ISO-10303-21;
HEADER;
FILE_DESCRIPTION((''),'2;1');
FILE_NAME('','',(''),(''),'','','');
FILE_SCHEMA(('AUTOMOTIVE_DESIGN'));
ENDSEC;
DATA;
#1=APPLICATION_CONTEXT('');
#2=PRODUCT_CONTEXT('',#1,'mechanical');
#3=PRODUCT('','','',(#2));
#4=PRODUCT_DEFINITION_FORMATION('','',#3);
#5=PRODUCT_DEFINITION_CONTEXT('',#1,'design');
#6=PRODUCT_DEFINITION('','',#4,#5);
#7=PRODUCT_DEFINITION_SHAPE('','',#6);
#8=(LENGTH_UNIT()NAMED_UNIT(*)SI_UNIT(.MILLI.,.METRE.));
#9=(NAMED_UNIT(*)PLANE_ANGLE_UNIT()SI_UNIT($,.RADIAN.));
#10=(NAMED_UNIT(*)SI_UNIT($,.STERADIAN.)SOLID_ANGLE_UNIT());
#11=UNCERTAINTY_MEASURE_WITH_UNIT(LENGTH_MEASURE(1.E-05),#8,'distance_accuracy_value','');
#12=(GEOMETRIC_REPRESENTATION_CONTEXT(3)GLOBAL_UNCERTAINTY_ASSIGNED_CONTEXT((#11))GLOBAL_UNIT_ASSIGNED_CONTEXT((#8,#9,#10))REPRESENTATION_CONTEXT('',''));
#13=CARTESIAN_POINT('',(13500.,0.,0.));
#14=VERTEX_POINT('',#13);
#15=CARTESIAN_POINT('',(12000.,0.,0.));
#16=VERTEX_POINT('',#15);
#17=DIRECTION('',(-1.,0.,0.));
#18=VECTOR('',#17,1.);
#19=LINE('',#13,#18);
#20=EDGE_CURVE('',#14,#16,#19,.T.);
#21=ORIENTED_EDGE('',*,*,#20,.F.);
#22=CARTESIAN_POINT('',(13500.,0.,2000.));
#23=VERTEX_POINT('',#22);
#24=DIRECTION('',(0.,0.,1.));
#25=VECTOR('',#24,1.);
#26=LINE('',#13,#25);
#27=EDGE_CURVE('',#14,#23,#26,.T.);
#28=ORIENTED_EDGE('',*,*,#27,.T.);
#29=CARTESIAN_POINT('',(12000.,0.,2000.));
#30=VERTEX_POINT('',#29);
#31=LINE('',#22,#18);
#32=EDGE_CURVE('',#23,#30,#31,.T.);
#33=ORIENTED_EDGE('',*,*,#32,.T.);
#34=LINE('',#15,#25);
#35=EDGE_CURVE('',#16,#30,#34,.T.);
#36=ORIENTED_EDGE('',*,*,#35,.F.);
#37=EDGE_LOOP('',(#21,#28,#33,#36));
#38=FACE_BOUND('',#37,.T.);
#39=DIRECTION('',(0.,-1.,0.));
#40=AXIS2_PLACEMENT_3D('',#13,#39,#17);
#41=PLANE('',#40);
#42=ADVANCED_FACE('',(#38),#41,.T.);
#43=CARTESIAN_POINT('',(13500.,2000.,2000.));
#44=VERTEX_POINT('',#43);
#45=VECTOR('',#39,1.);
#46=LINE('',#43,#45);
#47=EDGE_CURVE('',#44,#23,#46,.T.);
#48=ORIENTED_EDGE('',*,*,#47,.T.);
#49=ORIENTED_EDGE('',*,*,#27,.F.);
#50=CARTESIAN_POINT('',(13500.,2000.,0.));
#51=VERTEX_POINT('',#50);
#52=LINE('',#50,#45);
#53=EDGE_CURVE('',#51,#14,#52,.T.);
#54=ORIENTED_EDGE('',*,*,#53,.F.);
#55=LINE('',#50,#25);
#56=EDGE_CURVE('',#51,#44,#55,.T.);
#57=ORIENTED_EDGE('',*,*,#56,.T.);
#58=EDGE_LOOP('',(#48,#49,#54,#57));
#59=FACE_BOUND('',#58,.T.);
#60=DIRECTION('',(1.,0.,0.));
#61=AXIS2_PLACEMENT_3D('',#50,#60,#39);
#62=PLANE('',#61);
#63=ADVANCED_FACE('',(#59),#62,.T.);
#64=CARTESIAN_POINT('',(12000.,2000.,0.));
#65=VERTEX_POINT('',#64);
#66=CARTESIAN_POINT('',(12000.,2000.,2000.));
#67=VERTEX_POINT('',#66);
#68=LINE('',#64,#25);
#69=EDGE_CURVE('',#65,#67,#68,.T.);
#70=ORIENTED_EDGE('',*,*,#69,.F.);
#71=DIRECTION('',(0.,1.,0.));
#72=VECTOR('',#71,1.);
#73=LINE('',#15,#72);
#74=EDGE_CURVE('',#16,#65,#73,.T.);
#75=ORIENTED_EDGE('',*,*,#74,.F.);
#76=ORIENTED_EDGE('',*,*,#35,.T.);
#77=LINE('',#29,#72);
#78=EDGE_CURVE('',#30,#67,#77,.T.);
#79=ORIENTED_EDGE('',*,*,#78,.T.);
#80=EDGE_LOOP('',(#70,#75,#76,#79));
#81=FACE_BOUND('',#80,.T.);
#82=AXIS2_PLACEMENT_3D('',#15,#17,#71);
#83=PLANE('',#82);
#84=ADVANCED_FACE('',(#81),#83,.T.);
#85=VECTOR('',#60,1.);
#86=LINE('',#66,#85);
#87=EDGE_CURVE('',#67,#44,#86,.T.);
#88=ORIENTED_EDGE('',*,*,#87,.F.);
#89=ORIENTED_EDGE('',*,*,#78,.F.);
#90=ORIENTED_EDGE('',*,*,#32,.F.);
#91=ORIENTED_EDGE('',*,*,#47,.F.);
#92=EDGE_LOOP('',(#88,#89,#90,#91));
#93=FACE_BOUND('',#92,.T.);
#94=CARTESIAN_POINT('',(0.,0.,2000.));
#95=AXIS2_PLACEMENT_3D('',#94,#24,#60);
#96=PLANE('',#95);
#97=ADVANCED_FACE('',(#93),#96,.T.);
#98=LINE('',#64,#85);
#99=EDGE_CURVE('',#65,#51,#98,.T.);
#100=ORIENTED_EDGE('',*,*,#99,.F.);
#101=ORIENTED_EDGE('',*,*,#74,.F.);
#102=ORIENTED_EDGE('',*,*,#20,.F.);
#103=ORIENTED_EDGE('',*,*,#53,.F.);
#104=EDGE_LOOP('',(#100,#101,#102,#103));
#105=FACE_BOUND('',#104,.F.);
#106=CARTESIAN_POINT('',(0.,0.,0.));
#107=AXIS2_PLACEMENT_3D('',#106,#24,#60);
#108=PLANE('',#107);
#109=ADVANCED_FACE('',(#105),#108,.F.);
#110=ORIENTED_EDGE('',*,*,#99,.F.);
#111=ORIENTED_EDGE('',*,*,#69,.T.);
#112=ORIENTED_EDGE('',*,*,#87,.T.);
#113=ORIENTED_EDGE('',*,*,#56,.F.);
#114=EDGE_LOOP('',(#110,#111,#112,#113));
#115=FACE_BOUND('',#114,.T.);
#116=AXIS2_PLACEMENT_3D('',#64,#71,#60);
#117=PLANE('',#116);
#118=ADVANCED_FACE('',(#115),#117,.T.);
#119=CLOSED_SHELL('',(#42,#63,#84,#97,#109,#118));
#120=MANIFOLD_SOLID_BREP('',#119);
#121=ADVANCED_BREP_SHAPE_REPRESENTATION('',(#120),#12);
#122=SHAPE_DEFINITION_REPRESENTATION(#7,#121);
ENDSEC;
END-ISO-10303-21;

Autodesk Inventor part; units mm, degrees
ref_plane "YZ Plane" through (0, 0, 0) normal (1, 0, 0) x (0, 1, 0)
ref_plane "XZ Plane" through (0, 0, 0) normal (0, 1, 0) x (-1, 0, 0)
ref_plane "XY Plane" through (0, 0, 0) normal (0, 0, 1) x (1, 0, 0)
sketch "スケッチ1" plane through (0, 0, 0) normal (0, 0, 1) x (1, 0, 0)
  line L0 (12000, 2000) -> (13500, 2000)
  line L1 (13500, 2000) -> (13500, 0)
  line L2 (13500, 0) -> (12000, 0)
  line L3 (12000, 0) -> (12000, 2000)
  point P0 (0, 0)
  dimension "d13" = 1500
  dimension "d23" = 2000
  dimension "d24" = 12000
  dimension "d28" = 0
extrude "押し出し1" add sketch "スケッチ1" along normal blind 2000
properties part number "Goal"
